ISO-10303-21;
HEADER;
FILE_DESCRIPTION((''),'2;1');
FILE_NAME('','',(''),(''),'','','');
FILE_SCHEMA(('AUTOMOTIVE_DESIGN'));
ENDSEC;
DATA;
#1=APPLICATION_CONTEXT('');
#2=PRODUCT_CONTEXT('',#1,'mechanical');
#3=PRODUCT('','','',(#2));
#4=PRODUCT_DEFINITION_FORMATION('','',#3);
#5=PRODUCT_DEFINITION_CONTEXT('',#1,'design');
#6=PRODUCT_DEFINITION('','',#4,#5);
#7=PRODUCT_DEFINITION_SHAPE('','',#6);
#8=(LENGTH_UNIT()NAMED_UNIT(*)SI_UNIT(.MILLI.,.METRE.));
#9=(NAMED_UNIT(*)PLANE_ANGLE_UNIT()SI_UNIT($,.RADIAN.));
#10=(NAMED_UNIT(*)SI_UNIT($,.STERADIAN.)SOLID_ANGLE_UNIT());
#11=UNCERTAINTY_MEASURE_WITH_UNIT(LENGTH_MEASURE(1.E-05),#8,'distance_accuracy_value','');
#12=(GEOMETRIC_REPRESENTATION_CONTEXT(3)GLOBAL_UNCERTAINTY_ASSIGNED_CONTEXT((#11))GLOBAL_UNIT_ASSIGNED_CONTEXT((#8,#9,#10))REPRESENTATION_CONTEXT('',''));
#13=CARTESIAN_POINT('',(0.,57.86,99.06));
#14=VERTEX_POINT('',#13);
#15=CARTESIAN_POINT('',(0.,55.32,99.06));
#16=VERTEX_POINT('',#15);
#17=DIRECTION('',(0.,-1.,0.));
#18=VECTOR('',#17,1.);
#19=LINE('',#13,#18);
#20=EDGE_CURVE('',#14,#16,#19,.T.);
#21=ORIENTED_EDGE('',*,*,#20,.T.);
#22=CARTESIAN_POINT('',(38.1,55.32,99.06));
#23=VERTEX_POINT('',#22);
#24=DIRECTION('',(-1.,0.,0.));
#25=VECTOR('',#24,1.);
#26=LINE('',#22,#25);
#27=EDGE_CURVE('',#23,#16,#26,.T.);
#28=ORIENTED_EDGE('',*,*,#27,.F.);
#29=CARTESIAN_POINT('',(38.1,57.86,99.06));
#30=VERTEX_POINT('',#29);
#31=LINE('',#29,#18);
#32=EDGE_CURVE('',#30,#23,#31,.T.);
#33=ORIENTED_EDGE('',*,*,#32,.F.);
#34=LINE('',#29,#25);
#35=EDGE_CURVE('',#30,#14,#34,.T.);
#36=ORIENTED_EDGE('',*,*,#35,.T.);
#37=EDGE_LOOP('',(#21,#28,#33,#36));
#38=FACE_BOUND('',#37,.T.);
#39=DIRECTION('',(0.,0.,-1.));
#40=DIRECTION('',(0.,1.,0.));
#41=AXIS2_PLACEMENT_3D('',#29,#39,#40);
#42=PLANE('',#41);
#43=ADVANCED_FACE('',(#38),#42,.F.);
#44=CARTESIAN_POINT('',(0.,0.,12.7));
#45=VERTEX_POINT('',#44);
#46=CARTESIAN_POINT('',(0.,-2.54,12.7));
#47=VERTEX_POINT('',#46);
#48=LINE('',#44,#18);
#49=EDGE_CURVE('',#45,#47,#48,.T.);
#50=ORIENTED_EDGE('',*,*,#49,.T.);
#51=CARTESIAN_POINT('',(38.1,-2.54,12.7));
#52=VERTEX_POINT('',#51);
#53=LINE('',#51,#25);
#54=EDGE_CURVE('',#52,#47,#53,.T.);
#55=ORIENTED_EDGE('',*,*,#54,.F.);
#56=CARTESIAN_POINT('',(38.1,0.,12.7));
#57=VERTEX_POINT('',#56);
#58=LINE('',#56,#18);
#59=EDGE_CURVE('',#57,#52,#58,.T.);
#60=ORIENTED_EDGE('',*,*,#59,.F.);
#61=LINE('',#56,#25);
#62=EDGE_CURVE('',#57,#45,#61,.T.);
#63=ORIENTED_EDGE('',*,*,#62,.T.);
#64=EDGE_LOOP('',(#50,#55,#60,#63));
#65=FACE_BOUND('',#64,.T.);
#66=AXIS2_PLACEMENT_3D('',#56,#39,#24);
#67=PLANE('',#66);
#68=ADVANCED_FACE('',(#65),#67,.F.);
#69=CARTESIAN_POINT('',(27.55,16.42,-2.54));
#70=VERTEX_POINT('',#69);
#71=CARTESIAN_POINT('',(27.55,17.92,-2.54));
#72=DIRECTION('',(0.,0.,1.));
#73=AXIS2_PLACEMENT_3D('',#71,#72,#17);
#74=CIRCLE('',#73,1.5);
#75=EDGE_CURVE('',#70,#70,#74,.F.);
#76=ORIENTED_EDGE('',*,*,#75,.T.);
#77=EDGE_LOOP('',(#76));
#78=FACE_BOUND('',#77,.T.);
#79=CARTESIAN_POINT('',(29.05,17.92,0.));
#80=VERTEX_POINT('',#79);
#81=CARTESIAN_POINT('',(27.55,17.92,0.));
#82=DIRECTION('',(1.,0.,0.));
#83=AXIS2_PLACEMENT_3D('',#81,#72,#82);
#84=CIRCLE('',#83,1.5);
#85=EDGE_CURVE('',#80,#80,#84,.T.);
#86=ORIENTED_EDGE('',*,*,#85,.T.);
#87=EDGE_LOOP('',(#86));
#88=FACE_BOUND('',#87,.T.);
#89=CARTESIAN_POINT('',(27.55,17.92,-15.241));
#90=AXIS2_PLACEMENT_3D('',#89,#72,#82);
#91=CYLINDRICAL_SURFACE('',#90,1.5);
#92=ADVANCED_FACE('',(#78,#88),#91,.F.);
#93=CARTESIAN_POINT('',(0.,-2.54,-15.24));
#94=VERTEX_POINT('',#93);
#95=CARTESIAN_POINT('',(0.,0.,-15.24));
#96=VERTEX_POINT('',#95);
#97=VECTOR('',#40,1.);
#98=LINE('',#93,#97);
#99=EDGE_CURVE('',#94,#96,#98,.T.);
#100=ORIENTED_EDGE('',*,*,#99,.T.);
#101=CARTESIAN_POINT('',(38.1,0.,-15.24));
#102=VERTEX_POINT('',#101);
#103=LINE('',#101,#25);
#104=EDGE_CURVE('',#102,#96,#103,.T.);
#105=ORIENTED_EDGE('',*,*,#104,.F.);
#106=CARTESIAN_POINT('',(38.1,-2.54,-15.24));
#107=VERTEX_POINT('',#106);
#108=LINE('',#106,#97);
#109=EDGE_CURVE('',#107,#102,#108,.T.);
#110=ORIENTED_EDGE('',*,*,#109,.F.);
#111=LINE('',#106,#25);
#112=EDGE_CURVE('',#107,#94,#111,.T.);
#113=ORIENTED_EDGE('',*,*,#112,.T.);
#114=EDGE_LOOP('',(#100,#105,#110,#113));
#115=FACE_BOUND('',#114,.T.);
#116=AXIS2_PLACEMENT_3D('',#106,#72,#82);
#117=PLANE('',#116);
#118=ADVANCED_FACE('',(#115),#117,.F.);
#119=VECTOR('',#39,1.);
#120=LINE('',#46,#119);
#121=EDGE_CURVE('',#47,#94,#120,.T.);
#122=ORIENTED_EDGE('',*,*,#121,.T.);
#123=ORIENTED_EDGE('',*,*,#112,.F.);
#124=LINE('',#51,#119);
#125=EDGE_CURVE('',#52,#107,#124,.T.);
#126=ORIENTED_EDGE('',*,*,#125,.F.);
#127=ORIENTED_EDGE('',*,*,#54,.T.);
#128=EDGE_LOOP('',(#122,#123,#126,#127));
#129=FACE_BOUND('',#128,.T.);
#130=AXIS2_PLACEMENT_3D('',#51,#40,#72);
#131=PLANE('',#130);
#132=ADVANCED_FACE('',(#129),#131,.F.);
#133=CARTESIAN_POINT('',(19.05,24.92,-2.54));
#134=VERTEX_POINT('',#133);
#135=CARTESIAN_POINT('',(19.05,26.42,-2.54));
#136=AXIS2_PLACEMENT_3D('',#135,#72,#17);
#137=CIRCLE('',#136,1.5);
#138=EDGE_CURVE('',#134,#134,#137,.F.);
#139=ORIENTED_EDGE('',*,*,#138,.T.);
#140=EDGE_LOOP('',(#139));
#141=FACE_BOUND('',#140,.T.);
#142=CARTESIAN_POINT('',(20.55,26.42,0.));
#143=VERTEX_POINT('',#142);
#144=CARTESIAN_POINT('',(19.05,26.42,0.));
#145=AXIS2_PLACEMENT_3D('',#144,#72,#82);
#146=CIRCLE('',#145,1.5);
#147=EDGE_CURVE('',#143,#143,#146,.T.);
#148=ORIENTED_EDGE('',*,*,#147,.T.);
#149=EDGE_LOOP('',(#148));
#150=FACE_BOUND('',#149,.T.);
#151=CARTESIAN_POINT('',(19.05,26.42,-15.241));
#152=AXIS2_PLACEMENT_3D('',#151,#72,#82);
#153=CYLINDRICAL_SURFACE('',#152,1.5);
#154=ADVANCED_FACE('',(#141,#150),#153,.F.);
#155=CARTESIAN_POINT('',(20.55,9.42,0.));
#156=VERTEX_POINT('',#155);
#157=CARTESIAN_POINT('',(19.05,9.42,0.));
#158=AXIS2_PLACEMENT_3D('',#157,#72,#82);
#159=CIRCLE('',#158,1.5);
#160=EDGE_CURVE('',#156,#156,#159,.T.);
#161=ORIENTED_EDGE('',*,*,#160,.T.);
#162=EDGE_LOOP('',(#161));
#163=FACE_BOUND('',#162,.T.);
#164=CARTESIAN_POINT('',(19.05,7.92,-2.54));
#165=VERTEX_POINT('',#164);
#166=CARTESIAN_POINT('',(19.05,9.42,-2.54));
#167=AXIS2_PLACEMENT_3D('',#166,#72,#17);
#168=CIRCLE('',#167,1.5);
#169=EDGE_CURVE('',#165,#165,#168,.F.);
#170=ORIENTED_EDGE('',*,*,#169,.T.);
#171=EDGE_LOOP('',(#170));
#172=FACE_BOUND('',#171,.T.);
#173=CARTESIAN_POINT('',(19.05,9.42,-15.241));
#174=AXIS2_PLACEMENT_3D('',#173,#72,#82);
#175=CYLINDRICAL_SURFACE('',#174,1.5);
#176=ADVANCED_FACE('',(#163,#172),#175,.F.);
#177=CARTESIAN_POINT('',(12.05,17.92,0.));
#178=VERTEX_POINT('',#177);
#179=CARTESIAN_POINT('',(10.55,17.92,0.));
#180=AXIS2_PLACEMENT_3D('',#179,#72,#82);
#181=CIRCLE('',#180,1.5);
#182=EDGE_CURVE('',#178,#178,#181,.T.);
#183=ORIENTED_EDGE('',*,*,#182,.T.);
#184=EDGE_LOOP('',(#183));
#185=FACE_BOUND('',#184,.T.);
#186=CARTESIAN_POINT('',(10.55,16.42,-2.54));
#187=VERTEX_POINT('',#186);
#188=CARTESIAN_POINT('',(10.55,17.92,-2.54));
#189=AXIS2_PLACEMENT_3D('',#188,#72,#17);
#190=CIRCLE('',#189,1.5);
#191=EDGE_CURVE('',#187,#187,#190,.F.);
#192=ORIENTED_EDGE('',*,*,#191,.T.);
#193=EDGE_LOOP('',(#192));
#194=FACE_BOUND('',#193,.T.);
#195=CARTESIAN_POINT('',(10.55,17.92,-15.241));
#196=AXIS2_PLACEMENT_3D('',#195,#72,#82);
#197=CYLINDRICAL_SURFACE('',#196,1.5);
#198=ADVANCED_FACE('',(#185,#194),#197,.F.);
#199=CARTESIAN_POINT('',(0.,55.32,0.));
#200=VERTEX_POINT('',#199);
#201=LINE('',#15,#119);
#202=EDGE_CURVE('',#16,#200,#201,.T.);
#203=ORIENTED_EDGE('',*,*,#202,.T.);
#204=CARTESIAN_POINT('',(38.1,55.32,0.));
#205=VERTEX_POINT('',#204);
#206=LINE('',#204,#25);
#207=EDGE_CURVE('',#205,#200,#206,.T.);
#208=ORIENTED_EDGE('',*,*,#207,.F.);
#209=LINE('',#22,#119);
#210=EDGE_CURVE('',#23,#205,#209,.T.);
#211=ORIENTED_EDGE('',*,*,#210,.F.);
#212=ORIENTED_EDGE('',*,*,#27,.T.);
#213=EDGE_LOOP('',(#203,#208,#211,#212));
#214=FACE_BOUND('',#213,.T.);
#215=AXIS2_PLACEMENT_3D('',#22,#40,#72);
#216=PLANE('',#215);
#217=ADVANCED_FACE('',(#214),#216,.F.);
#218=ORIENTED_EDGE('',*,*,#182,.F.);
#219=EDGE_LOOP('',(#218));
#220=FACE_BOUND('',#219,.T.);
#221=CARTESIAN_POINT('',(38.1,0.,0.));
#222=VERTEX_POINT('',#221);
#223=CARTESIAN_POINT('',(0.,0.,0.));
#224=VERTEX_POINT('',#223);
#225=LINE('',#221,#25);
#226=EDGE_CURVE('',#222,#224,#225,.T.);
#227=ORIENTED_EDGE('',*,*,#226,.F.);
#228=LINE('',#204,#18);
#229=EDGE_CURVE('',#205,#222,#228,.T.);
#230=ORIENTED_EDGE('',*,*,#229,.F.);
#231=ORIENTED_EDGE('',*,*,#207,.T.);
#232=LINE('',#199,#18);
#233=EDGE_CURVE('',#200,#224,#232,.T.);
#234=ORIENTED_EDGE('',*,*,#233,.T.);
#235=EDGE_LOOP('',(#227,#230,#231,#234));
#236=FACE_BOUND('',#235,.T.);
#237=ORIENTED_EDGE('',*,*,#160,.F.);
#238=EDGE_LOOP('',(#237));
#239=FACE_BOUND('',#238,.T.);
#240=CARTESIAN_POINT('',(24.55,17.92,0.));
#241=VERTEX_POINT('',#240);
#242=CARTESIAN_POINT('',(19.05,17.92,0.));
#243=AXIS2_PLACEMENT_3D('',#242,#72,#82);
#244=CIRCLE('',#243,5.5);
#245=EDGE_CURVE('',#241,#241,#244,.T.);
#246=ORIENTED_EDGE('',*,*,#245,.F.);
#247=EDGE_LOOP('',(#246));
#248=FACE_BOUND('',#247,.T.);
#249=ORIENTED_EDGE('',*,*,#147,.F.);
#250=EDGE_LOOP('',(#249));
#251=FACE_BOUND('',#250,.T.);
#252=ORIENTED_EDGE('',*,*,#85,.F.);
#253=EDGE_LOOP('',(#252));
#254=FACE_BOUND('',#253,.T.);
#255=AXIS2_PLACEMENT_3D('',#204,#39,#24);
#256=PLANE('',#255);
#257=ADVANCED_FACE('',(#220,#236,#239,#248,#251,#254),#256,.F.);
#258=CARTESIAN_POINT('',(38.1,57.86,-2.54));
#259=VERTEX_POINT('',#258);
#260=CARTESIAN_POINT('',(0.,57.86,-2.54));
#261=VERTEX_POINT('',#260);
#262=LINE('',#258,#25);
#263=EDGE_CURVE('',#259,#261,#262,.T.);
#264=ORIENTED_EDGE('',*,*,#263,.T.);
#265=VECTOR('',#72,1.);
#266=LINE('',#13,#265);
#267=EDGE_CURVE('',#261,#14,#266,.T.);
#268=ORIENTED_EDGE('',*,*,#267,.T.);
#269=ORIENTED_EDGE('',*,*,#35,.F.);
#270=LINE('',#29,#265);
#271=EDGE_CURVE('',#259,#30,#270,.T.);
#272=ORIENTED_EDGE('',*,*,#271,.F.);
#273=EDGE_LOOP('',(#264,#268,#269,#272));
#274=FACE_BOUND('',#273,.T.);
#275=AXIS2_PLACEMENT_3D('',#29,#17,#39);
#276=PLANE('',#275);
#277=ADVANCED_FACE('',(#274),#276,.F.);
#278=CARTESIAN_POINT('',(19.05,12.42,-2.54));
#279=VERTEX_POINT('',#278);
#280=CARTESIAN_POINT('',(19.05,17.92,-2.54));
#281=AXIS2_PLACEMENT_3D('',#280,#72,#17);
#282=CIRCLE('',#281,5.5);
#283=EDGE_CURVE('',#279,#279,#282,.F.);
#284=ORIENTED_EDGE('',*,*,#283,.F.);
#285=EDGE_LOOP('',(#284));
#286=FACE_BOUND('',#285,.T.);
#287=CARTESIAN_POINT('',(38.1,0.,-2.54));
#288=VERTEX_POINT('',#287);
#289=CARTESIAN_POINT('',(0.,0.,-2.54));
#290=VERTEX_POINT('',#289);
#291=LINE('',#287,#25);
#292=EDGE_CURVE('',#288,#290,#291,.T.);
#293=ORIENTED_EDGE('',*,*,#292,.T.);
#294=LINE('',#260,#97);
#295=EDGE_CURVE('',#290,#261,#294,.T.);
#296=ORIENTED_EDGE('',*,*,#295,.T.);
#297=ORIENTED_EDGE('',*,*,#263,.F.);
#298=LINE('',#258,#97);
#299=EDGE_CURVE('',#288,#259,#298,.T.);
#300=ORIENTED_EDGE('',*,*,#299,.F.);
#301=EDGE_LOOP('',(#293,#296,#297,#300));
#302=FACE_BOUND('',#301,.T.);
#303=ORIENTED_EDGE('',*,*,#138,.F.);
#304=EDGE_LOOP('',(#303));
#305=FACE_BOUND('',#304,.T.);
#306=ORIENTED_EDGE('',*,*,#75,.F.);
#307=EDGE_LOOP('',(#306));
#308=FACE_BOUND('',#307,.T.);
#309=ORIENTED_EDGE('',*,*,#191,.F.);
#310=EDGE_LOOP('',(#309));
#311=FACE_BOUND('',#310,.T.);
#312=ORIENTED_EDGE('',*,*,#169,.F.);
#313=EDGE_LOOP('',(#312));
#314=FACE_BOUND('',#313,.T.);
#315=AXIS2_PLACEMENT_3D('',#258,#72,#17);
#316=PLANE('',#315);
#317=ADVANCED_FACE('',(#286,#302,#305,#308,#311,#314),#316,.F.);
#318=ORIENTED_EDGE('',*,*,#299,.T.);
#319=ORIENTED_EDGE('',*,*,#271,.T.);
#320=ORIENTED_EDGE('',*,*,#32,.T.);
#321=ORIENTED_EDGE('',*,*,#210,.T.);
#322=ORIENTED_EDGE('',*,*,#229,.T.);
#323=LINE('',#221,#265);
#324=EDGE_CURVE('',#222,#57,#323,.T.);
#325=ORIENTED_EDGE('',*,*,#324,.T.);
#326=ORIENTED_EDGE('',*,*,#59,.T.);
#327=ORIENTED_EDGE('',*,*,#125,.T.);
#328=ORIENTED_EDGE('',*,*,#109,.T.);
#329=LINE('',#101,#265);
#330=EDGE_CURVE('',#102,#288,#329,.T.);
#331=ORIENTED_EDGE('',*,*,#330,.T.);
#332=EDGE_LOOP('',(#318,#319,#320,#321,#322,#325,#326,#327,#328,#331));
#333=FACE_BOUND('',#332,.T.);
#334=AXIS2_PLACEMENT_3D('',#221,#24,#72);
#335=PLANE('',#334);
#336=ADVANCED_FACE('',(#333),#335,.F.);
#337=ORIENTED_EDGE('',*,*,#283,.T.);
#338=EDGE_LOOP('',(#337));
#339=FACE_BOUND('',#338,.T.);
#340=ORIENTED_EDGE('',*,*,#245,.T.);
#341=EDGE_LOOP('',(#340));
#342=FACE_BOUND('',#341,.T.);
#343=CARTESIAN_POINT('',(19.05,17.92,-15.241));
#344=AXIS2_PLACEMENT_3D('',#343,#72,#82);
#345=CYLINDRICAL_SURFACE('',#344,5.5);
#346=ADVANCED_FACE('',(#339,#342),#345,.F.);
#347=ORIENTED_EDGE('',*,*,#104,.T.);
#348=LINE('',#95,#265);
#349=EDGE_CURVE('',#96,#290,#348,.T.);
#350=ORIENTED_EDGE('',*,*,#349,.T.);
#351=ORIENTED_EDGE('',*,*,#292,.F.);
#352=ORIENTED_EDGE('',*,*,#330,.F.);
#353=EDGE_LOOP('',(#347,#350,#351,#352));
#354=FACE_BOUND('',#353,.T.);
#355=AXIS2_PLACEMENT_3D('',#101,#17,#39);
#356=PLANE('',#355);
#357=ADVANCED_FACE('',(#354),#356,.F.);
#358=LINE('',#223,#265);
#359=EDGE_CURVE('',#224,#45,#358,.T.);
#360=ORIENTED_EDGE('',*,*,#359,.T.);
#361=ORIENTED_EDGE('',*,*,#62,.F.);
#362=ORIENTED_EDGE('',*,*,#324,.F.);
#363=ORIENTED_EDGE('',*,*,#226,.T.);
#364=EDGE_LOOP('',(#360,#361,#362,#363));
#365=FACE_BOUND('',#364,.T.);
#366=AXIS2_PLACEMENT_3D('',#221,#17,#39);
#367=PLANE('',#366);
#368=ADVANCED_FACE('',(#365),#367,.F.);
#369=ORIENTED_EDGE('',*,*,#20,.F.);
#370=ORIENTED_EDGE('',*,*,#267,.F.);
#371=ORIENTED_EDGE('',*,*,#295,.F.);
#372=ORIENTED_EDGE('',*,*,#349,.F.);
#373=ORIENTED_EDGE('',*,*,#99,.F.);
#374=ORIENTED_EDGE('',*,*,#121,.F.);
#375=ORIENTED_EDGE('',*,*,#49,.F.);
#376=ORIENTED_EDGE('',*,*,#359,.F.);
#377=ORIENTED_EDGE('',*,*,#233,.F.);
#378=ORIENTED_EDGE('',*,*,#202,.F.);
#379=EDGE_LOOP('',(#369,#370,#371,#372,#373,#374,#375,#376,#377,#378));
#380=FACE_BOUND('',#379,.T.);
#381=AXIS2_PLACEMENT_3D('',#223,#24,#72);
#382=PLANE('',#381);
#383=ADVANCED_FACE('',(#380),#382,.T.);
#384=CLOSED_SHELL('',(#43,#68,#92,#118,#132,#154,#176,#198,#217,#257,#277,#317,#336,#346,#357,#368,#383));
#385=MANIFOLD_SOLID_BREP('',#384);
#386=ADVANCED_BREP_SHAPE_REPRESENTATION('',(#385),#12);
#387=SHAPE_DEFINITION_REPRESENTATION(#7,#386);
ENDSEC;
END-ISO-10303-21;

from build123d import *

# Parameters (mm, degrees)
BOSS_EXTRUDE1_DEPTH = 38.1
CUT_EXTRUDE2_REACH  = 122.881
SKETCH2_R           = 1.5
SKETCH2_R_2         = 5.5


with BuildPart() as part:
    # Sketch1 → Boss-Extrude1 (new body)
    with BuildSketch(Plane(origin=(0, 0, 0), x_dir=(0, 0, -1), z_dir=(1, 0, 0))):
        Polygon((-99.06, 57.86), (-99.06, 55.32), (0, 55.32), (0, 0), (-12.7, 0), (-12.7, -2.54), (15.24, -2.54), (15.24, 0), (2.54, 0), (2.54, 57.86), align=None)
    extrude(amount=BOSS_EXTRUDE1_DEPTH)

    # Sketch2 → Cut-Extrude2 (cut, up to next)
    with BuildSketch(Plane.XY, mode=Mode.PRIVATE) as cut_extrude2_sk1:
        with Locations((19.05, 26.42)):
            Circle(SKETCH2_R)
    cut_extrude2_tool1 = extrude(cut_extrude2_sk1.sketch, amount=-CUT_EXTRUDE2_REACH, mode=Mode.PRIVATE) & part.part
    # Sketch2 → Cut-Extrude2 (cut, up to next)
    with BuildSketch(Plane.XY, mode=Mode.PRIVATE) as cut_extrude2_sk2:
        with Locations((19.05, 9.42)):
            Circle(SKETCH2_R)
    cut_extrude2_tool2 = extrude(cut_extrude2_sk2.sketch, amount=-CUT_EXTRUDE2_REACH, mode=Mode.PRIVATE) & part.part
    # Sketch2 → Cut-Extrude2 (cut, up to next)
    with BuildSketch(Plane.XY, mode=Mode.PRIVATE) as cut_extrude2_sk3:
        with Locations((27.55, 17.92)):
            Circle(SKETCH2_R)
    cut_extrude2_tool3 = extrude(cut_extrude2_sk3.sketch, amount=-CUT_EXTRUDE2_REACH, mode=Mode.PRIVATE) & part.part
    # Sketch2 → Cut-Extrude2 (cut, up to next)
    with BuildSketch(Plane.XY, mode=Mode.PRIVATE) as cut_extrude2_sk4:
        with Locations((10.55, 17.92)):
            Circle(SKETCH2_R)
    cut_extrude2_tool4 = extrude(cut_extrude2_sk4.sketch, amount=-CUT_EXTRUDE2_REACH, mode=Mode.PRIVATE) & part.part
    # Sketch2 → Cut-Extrude2 (cut, up to next)
    with BuildSketch(Plane.XY, mode=Mode.PRIVATE) as cut_extrude2_sk5:
        with Locations((19.05, 17.92)):
            Circle(SKETCH2_R_2)
    cut_extrude2_tool5 = extrude(cut_extrude2_sk5.sketch, amount=-CUT_EXTRUDE2_REACH, mode=Mode.PRIVATE) & part.part
    add(cut_extrude2_tool1.solids().sort_by_distance((19.05, 26.42, 0))[0], mode=Mode.SUBTRACT)
    add(cut_extrude2_tool2.solids().sort_by_distance((19.05, 9.42, 0))[0], mode=Mode.SUBTRACT)
    add(cut_extrude2_tool3.solids().sort_by_distance((27.55, 17.92, 0))[0], mode=Mode.SUBTRACT)
    add(cut_extrude2_tool4.solids().sort_by_distance((10.55, 17.92, 0))[0], mode=Mode.SUBTRACT)
    add(cut_extrude2_tool5.solids().sort_by_distance((19.05, 17.92, 0))[0], mode=Mode.SUBTRACT)


solid = part.part
